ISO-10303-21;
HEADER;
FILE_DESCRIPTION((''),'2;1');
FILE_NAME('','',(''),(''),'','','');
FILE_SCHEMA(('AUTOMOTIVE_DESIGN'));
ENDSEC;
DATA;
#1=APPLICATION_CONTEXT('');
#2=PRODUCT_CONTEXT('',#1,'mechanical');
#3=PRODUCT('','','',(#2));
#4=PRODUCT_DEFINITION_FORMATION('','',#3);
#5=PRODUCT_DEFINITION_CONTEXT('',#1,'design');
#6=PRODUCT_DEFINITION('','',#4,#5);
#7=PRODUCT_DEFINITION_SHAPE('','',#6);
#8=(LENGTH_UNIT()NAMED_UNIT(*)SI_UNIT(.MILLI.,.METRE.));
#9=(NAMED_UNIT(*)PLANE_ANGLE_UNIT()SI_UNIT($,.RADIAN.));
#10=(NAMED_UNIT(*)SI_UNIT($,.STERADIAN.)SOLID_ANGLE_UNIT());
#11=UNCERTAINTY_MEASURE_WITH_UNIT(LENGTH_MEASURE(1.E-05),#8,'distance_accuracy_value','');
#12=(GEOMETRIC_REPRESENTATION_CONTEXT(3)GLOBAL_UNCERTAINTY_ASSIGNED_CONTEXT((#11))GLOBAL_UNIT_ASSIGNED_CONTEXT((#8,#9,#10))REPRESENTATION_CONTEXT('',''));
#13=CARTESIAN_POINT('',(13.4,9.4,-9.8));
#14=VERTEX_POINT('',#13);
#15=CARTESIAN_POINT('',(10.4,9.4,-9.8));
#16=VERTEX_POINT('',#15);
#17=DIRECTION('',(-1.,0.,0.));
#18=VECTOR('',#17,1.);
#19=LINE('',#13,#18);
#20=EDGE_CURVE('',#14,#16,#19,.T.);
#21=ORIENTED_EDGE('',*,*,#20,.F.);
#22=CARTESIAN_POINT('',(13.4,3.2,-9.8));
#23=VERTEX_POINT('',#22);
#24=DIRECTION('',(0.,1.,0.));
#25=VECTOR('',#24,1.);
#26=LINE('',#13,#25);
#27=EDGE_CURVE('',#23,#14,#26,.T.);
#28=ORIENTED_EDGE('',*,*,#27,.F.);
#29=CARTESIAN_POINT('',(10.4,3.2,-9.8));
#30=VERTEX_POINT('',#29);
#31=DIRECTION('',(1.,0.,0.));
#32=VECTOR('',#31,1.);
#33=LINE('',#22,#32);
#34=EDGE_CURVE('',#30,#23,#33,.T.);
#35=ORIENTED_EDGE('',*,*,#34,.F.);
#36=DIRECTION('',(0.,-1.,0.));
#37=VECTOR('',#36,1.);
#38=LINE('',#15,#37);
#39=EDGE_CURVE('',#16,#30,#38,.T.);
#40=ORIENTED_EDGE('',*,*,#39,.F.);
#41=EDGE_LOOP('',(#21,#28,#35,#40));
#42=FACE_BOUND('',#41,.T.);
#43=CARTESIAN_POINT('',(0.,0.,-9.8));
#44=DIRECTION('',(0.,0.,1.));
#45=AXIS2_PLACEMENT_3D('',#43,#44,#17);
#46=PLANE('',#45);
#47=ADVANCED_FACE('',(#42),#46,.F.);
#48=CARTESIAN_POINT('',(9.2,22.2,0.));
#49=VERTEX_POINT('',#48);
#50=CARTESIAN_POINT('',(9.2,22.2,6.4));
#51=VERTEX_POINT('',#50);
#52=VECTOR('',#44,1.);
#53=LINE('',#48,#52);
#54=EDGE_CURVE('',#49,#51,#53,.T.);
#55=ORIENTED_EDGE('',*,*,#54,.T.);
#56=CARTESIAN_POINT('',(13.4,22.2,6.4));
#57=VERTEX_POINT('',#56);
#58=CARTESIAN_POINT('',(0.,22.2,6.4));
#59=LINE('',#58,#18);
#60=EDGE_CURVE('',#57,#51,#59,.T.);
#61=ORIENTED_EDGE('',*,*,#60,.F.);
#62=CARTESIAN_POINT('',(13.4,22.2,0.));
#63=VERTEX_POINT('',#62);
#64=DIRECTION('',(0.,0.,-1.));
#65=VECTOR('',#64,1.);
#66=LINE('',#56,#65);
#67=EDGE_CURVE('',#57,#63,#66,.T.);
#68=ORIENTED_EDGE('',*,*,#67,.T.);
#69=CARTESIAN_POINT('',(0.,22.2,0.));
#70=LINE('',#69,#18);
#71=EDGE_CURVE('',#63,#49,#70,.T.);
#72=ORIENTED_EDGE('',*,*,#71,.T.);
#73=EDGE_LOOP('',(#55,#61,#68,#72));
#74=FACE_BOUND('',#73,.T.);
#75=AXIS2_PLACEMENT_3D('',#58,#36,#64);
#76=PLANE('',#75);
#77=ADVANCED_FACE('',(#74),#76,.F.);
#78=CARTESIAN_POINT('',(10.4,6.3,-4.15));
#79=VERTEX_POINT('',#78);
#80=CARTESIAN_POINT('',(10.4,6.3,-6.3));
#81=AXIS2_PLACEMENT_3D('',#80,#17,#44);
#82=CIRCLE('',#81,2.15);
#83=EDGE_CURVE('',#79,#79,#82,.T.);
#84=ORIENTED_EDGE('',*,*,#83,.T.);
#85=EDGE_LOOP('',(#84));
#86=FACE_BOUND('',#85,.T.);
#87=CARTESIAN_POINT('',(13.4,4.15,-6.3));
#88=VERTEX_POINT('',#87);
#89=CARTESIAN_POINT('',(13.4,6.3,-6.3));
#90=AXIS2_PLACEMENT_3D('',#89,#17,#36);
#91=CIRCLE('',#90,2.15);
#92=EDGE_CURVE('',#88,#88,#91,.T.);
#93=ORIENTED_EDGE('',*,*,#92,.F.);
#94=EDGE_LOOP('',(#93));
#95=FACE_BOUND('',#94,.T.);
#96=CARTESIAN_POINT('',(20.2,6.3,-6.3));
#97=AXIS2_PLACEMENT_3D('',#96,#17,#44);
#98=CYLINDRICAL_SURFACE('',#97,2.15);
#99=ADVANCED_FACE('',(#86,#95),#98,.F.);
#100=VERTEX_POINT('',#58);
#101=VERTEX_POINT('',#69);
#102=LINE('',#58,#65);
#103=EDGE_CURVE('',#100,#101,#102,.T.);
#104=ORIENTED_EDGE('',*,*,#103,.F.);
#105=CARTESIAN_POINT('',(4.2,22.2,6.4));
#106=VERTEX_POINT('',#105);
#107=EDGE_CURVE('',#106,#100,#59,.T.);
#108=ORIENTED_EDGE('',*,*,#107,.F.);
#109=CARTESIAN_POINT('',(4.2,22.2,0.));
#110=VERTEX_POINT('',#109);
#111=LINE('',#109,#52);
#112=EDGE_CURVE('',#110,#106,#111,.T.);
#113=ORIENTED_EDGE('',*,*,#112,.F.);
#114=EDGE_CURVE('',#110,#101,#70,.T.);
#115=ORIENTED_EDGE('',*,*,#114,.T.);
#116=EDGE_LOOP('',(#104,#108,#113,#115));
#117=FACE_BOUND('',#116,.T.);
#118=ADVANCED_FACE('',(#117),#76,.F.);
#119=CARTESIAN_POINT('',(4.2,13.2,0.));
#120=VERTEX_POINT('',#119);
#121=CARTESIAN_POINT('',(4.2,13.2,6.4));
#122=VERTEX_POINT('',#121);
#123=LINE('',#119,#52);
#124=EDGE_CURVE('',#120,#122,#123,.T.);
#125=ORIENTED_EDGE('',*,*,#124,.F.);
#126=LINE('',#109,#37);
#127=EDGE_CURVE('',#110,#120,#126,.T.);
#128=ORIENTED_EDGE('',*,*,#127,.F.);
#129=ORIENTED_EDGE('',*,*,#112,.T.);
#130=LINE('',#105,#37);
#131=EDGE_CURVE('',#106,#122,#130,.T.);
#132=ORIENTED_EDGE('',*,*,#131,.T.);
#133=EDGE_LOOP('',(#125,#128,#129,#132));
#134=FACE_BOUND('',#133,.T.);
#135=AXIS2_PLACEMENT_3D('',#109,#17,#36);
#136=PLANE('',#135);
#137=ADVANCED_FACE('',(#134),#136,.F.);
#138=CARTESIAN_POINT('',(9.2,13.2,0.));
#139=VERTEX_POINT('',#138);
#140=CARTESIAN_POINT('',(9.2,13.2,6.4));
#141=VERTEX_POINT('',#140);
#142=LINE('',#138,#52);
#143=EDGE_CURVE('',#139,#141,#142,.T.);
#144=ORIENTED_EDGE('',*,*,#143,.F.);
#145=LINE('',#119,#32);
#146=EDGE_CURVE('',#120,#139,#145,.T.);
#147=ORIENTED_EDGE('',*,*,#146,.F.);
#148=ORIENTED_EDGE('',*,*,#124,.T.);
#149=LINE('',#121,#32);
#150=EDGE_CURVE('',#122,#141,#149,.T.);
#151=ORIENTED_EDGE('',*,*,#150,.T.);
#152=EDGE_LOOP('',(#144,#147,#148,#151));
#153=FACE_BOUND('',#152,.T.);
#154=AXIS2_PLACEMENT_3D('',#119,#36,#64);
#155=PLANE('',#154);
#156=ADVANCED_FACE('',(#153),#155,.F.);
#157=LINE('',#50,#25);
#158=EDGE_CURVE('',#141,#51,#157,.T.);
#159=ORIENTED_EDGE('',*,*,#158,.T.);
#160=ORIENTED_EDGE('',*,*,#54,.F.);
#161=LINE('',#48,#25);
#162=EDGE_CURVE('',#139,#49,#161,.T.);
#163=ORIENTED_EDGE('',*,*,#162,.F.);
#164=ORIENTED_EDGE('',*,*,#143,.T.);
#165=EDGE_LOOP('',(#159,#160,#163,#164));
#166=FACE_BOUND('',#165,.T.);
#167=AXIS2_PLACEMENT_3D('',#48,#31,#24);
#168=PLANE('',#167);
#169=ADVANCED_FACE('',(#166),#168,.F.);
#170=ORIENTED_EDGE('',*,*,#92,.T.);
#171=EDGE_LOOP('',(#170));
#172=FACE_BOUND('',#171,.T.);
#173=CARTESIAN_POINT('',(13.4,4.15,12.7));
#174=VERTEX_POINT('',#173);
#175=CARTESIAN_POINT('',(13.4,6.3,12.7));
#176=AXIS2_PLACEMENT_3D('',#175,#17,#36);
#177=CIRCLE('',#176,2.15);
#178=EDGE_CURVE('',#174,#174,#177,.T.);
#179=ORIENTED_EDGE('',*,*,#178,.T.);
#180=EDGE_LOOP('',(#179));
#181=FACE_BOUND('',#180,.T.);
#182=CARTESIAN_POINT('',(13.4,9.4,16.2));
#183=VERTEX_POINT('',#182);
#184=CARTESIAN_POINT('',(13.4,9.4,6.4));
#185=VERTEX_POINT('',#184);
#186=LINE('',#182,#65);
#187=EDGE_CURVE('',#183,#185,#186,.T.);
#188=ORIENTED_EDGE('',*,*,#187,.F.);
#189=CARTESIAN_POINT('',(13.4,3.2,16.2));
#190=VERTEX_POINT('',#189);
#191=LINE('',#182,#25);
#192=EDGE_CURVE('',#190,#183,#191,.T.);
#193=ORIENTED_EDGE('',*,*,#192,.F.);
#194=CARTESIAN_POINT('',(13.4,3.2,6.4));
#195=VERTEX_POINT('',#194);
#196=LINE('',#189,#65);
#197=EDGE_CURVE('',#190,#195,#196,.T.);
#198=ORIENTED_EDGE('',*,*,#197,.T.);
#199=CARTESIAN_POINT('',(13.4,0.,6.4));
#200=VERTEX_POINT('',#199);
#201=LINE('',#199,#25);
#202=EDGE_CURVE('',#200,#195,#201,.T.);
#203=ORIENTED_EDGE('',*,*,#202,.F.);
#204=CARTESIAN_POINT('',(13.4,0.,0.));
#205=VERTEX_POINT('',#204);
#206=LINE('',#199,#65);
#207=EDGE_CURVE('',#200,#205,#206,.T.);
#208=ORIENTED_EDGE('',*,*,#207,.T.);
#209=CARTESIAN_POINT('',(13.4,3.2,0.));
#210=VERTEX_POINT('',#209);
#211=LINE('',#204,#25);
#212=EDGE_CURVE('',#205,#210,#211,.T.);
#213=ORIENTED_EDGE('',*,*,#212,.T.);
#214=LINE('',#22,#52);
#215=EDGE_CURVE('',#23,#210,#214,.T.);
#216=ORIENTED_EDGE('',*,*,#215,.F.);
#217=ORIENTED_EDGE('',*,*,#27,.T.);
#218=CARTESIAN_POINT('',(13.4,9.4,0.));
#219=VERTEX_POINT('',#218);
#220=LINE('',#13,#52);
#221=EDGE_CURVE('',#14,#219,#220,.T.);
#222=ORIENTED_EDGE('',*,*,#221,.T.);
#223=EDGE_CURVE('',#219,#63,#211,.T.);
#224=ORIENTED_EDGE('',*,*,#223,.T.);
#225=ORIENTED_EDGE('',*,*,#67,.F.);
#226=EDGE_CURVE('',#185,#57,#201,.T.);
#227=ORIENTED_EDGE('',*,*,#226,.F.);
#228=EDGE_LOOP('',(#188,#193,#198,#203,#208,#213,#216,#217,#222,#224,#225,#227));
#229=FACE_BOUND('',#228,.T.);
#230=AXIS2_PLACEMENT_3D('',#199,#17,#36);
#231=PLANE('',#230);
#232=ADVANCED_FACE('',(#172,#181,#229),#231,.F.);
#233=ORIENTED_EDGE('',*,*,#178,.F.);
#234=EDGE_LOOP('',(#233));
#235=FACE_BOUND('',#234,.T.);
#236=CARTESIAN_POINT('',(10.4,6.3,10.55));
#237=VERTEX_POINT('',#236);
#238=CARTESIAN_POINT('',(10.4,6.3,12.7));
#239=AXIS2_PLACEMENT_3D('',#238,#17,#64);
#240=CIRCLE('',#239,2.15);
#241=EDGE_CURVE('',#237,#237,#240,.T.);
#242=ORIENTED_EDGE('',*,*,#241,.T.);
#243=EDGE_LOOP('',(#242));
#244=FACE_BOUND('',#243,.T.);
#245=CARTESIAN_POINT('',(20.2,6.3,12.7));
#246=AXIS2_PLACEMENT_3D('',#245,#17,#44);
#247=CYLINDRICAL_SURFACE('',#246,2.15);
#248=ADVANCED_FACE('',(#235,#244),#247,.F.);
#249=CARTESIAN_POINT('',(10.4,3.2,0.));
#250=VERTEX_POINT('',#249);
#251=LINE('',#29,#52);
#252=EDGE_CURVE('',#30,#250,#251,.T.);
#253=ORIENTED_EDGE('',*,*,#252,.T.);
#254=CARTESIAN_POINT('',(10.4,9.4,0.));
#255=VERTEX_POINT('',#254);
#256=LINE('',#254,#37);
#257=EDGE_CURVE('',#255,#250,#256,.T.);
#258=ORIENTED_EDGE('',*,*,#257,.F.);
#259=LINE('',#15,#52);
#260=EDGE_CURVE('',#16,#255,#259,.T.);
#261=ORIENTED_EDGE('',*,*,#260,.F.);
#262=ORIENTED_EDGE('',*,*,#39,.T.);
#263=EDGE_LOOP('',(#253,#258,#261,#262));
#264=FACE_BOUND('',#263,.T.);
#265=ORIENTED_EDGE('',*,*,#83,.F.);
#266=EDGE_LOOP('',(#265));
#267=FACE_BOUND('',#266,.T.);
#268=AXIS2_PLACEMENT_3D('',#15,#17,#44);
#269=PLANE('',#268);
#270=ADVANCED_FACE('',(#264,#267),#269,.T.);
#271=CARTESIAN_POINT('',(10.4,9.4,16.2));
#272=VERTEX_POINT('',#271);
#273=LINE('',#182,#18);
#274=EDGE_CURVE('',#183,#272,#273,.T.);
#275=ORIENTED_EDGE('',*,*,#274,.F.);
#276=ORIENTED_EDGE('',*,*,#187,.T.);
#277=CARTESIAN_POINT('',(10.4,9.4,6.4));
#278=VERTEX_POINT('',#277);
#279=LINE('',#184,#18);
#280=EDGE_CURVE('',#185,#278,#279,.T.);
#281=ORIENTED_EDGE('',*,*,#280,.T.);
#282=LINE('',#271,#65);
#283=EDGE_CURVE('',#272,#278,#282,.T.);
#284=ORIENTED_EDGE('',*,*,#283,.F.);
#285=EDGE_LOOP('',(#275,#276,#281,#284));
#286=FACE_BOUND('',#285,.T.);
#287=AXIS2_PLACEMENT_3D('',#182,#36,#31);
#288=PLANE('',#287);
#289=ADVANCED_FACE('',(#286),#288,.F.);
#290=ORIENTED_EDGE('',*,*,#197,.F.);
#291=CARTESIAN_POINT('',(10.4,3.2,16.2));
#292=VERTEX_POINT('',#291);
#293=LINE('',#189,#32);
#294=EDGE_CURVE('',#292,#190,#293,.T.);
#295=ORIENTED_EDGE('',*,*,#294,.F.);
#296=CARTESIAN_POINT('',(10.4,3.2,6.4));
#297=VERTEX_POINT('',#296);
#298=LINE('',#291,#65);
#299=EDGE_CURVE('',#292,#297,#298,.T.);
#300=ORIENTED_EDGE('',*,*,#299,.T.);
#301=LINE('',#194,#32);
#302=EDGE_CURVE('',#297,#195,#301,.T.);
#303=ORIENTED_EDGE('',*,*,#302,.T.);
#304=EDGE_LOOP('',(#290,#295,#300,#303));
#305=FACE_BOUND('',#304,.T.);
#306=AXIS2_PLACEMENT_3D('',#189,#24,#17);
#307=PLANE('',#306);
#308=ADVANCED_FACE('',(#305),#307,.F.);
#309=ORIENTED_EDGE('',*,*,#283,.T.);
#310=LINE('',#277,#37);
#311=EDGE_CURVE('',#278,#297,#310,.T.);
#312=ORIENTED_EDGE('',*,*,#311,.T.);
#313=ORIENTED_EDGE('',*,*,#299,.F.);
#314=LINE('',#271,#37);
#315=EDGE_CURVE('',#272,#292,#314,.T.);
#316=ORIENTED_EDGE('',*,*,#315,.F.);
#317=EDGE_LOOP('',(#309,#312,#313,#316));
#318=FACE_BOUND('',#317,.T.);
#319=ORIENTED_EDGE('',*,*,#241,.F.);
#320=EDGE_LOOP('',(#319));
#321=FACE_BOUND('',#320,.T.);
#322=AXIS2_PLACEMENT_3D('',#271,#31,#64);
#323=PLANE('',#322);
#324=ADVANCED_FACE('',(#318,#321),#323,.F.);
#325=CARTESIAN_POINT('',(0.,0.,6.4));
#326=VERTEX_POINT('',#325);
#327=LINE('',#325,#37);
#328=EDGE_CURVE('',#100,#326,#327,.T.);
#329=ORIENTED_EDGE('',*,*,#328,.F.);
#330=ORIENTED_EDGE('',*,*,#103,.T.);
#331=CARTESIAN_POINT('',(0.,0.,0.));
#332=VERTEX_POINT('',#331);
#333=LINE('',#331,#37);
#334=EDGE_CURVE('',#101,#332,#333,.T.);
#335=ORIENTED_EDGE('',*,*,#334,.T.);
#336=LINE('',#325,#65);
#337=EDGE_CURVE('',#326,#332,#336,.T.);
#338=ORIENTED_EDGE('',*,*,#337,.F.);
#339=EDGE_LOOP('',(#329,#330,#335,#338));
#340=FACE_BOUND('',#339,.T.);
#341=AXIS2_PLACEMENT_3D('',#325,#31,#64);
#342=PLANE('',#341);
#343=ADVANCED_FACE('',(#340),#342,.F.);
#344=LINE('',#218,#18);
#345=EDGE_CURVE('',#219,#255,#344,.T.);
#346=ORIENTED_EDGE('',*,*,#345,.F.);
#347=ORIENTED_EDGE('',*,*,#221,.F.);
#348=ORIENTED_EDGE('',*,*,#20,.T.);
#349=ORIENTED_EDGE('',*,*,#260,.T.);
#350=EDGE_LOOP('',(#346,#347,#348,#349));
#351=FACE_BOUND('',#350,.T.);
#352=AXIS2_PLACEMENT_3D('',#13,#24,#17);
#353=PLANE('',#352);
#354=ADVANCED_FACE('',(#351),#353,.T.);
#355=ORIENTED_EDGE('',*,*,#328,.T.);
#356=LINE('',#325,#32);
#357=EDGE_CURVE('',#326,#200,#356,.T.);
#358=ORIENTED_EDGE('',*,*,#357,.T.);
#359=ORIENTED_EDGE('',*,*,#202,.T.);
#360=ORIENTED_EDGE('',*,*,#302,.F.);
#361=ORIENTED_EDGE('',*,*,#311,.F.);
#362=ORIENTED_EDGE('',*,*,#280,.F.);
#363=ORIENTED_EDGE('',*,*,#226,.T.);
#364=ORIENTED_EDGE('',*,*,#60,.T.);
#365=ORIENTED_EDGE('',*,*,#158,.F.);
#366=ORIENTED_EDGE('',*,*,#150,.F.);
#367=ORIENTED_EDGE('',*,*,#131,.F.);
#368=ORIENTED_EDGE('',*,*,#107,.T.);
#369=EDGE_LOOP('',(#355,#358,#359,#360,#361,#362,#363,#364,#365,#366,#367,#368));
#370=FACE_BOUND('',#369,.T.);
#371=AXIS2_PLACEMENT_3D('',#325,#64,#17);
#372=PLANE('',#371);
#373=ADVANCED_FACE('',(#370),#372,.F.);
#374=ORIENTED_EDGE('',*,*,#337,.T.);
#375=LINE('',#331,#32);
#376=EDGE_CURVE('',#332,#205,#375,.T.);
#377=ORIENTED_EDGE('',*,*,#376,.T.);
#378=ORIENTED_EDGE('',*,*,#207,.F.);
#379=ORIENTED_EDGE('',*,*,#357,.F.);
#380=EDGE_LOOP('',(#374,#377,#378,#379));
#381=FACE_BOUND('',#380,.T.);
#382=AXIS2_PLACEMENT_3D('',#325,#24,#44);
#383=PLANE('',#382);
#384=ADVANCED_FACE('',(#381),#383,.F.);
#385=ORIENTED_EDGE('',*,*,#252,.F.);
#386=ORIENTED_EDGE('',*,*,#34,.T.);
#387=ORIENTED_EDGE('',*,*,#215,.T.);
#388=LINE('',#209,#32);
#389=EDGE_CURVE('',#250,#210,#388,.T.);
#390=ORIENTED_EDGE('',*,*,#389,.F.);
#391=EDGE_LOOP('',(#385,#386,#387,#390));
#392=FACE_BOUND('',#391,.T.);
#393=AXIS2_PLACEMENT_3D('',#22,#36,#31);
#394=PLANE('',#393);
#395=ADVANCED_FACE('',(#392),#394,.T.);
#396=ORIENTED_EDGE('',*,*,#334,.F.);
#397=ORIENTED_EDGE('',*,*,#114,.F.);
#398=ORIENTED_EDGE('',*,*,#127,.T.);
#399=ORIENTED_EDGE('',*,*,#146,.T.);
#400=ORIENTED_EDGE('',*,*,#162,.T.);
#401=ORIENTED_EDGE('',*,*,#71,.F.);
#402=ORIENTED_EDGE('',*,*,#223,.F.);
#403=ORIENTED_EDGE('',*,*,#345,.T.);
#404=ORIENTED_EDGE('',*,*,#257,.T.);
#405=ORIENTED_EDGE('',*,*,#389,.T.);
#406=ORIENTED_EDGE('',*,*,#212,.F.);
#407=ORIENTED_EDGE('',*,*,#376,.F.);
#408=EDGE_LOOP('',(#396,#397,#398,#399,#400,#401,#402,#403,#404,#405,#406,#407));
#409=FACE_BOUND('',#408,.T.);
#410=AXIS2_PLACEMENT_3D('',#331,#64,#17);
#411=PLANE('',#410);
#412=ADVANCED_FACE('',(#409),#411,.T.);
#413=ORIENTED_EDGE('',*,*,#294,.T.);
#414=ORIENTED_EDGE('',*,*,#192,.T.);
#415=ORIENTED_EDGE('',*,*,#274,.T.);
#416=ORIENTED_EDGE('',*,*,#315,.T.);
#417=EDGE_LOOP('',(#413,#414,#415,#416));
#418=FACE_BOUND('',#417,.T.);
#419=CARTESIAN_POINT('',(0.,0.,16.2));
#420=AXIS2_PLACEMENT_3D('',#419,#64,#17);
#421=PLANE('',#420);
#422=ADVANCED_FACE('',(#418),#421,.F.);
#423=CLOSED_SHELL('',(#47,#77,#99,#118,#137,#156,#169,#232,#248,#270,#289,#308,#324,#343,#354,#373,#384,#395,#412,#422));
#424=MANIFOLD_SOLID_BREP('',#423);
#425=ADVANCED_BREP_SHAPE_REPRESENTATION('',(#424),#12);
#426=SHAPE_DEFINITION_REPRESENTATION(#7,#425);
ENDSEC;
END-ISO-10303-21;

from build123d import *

# Parameters (mm, degrees)
SKETCH_1_W          = 13.4
SKETCH_1_H          = 22.2
EXTRUDE_1_DEPTH     = 6.4
SKETCH_2_W          = 5
SKETCH_2_H          = 9
CUT_EXTRUDE_1_DEPTH = 6.4
SKETCH_3_W          = 3
SKETCH_3_H          = 6.2
EXTRUDE_2_DEPTH     = 9.8
SKETCH_4_R          = 2.15
CUT_EXTRUDE_2_DEPTH = 9.8


with BuildPart() as part:
    # 草图1 → 凸台-拉伸1 (new body)
    with BuildSketch(Plane.XY):
        with Locations((6.7, 11.1)):
            Rectangle(SKETCH_1_W, SKETCH_1_H)
    extrude(amount=EXTRUDE_1_DEPTH)

    # 草图2 → 切除-拉伸1 (cut)
    with BuildSketch(Plane.XY.offset(6.4)):
        with Locations((6.7, 17.7)):
            Rectangle(SKETCH_2_W, SKETCH_2_H)
    extrude(amount=-CUT_EXTRUDE_1_DEPTH, mode=Mode.SUBTRACT)

    # 草图3 → 凸台-拉伸2 (add)
    with BuildSketch(Plane.XY.offset(6.4)):
        with Locations((11.9, 6.3)):
            Rectangle(SKETCH_3_W, SKETCH_3_H)
    extrude_2 = extrude(amount=EXTRUDE_2_DEPTH)

    # 镜向1: 凸台-拉伸2 across plane
    add(extrude_2.mirror(Plane(origin=(0, 0, 3.2), x_dir=(1, 0, 0), z_dir=(0, 0, -1))))

    # 草图4 → 切除-拉伸2 (cut)
    with BuildSketch(Plane.ZY.offset(-10.4)):
        with Locations((-6.3, 6.3)):
            Circle(SKETCH_4_R)
        with Locations((12.7, 6.3)):
            Circle(SKETCH_4_R)
    extrude(amount=-CUT_EXTRUDE_2_DEPTH, mode=Mode.SUBTRACT)


solid = part.part
